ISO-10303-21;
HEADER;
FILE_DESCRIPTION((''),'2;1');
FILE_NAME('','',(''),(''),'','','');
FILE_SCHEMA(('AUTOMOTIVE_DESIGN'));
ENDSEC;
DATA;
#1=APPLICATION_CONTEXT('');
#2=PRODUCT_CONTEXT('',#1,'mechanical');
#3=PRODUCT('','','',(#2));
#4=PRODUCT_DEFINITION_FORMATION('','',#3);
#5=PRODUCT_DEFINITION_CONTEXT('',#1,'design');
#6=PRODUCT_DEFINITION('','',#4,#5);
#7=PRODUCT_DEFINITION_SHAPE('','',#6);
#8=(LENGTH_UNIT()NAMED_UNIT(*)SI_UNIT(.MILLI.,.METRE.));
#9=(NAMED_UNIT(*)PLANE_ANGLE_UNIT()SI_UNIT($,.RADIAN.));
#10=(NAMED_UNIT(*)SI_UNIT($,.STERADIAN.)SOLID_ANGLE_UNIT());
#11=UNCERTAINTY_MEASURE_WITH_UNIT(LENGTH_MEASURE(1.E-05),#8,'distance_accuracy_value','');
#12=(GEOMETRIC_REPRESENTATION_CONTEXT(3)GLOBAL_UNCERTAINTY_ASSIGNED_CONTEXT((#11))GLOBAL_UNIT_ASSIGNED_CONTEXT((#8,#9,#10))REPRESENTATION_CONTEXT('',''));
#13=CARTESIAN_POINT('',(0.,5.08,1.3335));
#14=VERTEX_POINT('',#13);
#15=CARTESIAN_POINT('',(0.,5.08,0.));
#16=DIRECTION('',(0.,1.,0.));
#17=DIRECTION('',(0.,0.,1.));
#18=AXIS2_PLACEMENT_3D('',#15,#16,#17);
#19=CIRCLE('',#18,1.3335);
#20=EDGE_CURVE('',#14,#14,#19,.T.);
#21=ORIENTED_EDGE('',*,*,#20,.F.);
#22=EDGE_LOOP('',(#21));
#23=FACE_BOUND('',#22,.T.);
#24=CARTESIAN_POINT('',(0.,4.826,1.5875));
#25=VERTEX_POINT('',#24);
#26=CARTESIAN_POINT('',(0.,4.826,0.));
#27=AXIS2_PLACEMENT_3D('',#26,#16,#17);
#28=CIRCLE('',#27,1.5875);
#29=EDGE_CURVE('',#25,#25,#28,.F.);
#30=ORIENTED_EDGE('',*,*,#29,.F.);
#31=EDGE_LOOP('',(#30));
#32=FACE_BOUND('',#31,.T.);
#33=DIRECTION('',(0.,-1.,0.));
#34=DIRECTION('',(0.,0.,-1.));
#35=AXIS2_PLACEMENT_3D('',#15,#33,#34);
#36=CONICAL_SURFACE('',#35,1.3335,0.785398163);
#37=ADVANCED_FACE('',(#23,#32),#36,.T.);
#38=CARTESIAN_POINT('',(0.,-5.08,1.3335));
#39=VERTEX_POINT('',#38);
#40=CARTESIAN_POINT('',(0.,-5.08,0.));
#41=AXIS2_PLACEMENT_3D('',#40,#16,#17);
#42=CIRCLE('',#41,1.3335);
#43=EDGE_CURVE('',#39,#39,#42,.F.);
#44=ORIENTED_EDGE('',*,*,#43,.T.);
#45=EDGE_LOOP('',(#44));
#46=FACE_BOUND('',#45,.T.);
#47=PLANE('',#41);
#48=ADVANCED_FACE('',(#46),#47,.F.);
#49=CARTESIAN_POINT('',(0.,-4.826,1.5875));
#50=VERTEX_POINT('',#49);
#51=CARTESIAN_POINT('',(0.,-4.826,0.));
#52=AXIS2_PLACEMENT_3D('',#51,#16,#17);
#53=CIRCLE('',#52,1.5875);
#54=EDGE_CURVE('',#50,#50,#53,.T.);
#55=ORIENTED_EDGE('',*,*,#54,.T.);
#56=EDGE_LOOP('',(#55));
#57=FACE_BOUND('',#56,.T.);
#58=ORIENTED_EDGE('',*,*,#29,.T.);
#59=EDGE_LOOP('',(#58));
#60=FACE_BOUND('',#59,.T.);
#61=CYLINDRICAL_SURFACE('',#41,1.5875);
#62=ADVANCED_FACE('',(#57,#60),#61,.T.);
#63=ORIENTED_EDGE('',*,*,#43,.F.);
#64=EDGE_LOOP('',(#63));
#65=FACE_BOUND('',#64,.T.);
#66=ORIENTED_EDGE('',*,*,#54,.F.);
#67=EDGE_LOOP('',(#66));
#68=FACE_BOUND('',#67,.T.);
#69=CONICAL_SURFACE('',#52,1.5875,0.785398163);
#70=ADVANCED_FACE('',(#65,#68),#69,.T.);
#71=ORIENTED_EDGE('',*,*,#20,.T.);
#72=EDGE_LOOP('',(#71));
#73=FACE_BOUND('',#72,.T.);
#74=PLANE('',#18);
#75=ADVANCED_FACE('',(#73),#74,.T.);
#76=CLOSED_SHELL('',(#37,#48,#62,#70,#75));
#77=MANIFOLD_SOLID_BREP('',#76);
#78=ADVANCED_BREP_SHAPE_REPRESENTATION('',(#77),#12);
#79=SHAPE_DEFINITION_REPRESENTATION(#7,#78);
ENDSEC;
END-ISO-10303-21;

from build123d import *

# Parameters (mm, degrees)
BOSS_EXTRUDE1_DEPTH      = 5.08
BOSS_EXTRUDE1_DEPTH_BACK = 5.08
SKETCH1_R                = 1.5875
CHAMFER1_SIZE            = 0.254


with BuildPart() as part:
    # Sketch1 → Boss-Extrude1 (new, two sides: drawn at the far end of the back side and taken through both)
    with BuildSketch(Plane(origin=(0, 0, 0), x_dir=(1, 0, 0), z_dir=(0, 1, 0)).offset(-BOSS_EXTRUDE1_DEPTH_BACK)):
        Circle(SKETCH1_R)
    extrude(amount=BOSS_EXTRUDE1_DEPTH + BOSS_EXTRUDE1_DEPTH_BACK)

    # Chamfer1
    chamfer1_edges = [part.edges().sort_by_distance(p)[0] for p in [
        (-1.5875, -5.08, 0),
        (-1.5875, 5.08, 0),
    ]]
    chamfer(chamfer1_edges, length=CHAMFER1_SIZE)


solid = part.part
